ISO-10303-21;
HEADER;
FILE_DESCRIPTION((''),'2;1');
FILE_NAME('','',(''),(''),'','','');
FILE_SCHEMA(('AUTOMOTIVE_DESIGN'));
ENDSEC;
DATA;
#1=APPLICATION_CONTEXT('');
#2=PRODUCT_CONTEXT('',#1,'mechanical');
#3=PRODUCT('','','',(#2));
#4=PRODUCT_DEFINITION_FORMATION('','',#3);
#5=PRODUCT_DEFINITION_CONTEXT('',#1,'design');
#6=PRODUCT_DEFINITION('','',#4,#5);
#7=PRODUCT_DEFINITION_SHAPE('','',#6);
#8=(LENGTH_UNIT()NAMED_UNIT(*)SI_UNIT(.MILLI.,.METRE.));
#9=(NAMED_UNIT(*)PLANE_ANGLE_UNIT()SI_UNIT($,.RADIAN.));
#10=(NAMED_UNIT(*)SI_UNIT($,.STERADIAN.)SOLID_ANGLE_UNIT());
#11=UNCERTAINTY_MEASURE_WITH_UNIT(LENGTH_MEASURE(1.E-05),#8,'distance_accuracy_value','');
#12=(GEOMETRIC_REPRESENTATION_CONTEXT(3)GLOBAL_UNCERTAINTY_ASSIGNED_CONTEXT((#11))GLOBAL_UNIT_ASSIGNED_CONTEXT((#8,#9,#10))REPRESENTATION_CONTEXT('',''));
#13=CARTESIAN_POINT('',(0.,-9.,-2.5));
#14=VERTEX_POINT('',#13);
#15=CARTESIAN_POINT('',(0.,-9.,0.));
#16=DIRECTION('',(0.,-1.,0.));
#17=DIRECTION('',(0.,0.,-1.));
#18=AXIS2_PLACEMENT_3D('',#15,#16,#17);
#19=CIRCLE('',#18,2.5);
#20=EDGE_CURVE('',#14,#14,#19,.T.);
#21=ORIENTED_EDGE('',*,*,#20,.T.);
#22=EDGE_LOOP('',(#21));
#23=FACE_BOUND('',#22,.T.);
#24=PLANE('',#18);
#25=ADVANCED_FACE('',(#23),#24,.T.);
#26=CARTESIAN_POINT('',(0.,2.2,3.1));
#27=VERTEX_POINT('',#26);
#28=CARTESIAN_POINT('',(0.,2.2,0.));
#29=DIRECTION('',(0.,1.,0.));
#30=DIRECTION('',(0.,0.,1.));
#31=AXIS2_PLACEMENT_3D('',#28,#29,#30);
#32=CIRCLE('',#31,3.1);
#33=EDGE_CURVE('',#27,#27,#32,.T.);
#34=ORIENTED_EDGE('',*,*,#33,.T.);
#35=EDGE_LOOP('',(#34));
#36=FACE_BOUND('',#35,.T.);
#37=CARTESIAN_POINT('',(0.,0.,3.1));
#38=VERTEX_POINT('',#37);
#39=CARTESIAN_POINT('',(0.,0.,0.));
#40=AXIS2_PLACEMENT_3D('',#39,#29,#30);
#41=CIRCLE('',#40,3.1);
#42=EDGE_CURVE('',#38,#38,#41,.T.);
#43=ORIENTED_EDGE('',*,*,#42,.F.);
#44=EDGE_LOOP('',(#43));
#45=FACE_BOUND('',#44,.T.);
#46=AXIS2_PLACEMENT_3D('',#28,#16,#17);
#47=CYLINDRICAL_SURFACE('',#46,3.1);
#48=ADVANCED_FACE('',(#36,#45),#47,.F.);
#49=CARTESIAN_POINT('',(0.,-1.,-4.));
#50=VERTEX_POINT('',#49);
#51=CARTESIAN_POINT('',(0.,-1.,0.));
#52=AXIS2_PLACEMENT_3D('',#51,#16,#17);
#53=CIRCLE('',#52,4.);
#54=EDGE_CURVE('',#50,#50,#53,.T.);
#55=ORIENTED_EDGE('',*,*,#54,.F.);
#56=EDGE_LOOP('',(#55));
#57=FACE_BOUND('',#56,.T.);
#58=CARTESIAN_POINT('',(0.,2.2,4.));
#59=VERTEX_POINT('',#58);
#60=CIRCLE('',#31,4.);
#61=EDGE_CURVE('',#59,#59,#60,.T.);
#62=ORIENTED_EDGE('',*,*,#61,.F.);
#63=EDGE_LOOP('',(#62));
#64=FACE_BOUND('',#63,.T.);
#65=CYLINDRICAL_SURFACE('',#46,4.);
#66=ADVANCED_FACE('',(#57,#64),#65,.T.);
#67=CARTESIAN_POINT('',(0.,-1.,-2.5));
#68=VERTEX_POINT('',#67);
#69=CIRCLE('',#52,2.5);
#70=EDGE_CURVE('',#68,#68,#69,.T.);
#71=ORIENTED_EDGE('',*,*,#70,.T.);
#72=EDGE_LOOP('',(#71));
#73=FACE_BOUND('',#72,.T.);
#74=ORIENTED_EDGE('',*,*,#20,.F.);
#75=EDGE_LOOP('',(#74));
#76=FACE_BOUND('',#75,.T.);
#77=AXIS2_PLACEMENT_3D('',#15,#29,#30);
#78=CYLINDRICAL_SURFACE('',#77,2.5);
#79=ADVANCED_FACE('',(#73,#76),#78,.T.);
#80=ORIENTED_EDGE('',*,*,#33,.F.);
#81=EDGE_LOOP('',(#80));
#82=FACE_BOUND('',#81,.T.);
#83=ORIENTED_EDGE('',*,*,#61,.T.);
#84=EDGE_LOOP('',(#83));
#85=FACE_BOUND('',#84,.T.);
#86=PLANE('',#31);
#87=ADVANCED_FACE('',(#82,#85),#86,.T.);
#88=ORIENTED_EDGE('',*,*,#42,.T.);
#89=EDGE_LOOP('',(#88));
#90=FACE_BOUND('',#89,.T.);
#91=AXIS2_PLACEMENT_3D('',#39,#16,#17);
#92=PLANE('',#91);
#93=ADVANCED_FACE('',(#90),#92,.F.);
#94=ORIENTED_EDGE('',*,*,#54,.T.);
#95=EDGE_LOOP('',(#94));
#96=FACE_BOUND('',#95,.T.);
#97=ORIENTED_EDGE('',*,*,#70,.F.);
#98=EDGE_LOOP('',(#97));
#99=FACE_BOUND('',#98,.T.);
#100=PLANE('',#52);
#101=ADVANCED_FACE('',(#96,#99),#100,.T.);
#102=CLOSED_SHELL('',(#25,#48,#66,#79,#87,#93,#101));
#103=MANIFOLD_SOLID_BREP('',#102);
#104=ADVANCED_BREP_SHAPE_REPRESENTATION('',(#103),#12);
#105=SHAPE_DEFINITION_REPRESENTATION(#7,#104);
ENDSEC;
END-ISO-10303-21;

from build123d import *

# Parameters (mm, degrees)
ESQUISSE1_R        = 4
ESQUISSE1_R_2      = 3.1
BOSS_EXTRU_1_DEPTH = 2.2
BOSS_EXTRU_2_START = 1
ESQUISSE2_R        = 4
BOSS_EXTRU_2_DEPTH = 1
ESQUISSE3_R        = 2.5
BOSS_EXTRU_3_DEPTH = 8


with BuildPart() as part:
    # Esquisse1 → Boss.-Extru.1 (new body)
    with BuildSketch(Plane(origin=(0, 0, 0), x_dir=(1, 0, 0), z_dir=(0, 1, 0))):
        with Locations(Location((0, 0, 0), (0, 0, 270))):
            Circle(ESQUISSE1_R)
        with Locations(Location((0, 0, 0), (0, 0, 270))):
            Circle(ESQUISSE1_R_2, mode=Mode.SUBTRACT)
    extrude(amount=BOSS_EXTRU_1_DEPTH)

    # Esquisse2 → Boss.-Extru.2 (add)
    with BuildSketch(Plane.XZ.offset(BOSS_EXTRU_2_START)):
        with Locations(Location((0, 0, 0), (0, 0, 270))):
            Circle(ESQUISSE2_R)
    extrude(amount=-BOSS_EXTRU_2_DEPTH)

    # Esquisse3 → Boss.-Extru.3 (add)
    with BuildSketch(Plane.XZ.offset(1)):
        with Locations(Location((0, 0, 0), (0, 0, 270))):
            Circle(ESQUISSE3_R)
    extrude(amount=BOSS_EXTRU_3_DEPTH)


solid = part.part
